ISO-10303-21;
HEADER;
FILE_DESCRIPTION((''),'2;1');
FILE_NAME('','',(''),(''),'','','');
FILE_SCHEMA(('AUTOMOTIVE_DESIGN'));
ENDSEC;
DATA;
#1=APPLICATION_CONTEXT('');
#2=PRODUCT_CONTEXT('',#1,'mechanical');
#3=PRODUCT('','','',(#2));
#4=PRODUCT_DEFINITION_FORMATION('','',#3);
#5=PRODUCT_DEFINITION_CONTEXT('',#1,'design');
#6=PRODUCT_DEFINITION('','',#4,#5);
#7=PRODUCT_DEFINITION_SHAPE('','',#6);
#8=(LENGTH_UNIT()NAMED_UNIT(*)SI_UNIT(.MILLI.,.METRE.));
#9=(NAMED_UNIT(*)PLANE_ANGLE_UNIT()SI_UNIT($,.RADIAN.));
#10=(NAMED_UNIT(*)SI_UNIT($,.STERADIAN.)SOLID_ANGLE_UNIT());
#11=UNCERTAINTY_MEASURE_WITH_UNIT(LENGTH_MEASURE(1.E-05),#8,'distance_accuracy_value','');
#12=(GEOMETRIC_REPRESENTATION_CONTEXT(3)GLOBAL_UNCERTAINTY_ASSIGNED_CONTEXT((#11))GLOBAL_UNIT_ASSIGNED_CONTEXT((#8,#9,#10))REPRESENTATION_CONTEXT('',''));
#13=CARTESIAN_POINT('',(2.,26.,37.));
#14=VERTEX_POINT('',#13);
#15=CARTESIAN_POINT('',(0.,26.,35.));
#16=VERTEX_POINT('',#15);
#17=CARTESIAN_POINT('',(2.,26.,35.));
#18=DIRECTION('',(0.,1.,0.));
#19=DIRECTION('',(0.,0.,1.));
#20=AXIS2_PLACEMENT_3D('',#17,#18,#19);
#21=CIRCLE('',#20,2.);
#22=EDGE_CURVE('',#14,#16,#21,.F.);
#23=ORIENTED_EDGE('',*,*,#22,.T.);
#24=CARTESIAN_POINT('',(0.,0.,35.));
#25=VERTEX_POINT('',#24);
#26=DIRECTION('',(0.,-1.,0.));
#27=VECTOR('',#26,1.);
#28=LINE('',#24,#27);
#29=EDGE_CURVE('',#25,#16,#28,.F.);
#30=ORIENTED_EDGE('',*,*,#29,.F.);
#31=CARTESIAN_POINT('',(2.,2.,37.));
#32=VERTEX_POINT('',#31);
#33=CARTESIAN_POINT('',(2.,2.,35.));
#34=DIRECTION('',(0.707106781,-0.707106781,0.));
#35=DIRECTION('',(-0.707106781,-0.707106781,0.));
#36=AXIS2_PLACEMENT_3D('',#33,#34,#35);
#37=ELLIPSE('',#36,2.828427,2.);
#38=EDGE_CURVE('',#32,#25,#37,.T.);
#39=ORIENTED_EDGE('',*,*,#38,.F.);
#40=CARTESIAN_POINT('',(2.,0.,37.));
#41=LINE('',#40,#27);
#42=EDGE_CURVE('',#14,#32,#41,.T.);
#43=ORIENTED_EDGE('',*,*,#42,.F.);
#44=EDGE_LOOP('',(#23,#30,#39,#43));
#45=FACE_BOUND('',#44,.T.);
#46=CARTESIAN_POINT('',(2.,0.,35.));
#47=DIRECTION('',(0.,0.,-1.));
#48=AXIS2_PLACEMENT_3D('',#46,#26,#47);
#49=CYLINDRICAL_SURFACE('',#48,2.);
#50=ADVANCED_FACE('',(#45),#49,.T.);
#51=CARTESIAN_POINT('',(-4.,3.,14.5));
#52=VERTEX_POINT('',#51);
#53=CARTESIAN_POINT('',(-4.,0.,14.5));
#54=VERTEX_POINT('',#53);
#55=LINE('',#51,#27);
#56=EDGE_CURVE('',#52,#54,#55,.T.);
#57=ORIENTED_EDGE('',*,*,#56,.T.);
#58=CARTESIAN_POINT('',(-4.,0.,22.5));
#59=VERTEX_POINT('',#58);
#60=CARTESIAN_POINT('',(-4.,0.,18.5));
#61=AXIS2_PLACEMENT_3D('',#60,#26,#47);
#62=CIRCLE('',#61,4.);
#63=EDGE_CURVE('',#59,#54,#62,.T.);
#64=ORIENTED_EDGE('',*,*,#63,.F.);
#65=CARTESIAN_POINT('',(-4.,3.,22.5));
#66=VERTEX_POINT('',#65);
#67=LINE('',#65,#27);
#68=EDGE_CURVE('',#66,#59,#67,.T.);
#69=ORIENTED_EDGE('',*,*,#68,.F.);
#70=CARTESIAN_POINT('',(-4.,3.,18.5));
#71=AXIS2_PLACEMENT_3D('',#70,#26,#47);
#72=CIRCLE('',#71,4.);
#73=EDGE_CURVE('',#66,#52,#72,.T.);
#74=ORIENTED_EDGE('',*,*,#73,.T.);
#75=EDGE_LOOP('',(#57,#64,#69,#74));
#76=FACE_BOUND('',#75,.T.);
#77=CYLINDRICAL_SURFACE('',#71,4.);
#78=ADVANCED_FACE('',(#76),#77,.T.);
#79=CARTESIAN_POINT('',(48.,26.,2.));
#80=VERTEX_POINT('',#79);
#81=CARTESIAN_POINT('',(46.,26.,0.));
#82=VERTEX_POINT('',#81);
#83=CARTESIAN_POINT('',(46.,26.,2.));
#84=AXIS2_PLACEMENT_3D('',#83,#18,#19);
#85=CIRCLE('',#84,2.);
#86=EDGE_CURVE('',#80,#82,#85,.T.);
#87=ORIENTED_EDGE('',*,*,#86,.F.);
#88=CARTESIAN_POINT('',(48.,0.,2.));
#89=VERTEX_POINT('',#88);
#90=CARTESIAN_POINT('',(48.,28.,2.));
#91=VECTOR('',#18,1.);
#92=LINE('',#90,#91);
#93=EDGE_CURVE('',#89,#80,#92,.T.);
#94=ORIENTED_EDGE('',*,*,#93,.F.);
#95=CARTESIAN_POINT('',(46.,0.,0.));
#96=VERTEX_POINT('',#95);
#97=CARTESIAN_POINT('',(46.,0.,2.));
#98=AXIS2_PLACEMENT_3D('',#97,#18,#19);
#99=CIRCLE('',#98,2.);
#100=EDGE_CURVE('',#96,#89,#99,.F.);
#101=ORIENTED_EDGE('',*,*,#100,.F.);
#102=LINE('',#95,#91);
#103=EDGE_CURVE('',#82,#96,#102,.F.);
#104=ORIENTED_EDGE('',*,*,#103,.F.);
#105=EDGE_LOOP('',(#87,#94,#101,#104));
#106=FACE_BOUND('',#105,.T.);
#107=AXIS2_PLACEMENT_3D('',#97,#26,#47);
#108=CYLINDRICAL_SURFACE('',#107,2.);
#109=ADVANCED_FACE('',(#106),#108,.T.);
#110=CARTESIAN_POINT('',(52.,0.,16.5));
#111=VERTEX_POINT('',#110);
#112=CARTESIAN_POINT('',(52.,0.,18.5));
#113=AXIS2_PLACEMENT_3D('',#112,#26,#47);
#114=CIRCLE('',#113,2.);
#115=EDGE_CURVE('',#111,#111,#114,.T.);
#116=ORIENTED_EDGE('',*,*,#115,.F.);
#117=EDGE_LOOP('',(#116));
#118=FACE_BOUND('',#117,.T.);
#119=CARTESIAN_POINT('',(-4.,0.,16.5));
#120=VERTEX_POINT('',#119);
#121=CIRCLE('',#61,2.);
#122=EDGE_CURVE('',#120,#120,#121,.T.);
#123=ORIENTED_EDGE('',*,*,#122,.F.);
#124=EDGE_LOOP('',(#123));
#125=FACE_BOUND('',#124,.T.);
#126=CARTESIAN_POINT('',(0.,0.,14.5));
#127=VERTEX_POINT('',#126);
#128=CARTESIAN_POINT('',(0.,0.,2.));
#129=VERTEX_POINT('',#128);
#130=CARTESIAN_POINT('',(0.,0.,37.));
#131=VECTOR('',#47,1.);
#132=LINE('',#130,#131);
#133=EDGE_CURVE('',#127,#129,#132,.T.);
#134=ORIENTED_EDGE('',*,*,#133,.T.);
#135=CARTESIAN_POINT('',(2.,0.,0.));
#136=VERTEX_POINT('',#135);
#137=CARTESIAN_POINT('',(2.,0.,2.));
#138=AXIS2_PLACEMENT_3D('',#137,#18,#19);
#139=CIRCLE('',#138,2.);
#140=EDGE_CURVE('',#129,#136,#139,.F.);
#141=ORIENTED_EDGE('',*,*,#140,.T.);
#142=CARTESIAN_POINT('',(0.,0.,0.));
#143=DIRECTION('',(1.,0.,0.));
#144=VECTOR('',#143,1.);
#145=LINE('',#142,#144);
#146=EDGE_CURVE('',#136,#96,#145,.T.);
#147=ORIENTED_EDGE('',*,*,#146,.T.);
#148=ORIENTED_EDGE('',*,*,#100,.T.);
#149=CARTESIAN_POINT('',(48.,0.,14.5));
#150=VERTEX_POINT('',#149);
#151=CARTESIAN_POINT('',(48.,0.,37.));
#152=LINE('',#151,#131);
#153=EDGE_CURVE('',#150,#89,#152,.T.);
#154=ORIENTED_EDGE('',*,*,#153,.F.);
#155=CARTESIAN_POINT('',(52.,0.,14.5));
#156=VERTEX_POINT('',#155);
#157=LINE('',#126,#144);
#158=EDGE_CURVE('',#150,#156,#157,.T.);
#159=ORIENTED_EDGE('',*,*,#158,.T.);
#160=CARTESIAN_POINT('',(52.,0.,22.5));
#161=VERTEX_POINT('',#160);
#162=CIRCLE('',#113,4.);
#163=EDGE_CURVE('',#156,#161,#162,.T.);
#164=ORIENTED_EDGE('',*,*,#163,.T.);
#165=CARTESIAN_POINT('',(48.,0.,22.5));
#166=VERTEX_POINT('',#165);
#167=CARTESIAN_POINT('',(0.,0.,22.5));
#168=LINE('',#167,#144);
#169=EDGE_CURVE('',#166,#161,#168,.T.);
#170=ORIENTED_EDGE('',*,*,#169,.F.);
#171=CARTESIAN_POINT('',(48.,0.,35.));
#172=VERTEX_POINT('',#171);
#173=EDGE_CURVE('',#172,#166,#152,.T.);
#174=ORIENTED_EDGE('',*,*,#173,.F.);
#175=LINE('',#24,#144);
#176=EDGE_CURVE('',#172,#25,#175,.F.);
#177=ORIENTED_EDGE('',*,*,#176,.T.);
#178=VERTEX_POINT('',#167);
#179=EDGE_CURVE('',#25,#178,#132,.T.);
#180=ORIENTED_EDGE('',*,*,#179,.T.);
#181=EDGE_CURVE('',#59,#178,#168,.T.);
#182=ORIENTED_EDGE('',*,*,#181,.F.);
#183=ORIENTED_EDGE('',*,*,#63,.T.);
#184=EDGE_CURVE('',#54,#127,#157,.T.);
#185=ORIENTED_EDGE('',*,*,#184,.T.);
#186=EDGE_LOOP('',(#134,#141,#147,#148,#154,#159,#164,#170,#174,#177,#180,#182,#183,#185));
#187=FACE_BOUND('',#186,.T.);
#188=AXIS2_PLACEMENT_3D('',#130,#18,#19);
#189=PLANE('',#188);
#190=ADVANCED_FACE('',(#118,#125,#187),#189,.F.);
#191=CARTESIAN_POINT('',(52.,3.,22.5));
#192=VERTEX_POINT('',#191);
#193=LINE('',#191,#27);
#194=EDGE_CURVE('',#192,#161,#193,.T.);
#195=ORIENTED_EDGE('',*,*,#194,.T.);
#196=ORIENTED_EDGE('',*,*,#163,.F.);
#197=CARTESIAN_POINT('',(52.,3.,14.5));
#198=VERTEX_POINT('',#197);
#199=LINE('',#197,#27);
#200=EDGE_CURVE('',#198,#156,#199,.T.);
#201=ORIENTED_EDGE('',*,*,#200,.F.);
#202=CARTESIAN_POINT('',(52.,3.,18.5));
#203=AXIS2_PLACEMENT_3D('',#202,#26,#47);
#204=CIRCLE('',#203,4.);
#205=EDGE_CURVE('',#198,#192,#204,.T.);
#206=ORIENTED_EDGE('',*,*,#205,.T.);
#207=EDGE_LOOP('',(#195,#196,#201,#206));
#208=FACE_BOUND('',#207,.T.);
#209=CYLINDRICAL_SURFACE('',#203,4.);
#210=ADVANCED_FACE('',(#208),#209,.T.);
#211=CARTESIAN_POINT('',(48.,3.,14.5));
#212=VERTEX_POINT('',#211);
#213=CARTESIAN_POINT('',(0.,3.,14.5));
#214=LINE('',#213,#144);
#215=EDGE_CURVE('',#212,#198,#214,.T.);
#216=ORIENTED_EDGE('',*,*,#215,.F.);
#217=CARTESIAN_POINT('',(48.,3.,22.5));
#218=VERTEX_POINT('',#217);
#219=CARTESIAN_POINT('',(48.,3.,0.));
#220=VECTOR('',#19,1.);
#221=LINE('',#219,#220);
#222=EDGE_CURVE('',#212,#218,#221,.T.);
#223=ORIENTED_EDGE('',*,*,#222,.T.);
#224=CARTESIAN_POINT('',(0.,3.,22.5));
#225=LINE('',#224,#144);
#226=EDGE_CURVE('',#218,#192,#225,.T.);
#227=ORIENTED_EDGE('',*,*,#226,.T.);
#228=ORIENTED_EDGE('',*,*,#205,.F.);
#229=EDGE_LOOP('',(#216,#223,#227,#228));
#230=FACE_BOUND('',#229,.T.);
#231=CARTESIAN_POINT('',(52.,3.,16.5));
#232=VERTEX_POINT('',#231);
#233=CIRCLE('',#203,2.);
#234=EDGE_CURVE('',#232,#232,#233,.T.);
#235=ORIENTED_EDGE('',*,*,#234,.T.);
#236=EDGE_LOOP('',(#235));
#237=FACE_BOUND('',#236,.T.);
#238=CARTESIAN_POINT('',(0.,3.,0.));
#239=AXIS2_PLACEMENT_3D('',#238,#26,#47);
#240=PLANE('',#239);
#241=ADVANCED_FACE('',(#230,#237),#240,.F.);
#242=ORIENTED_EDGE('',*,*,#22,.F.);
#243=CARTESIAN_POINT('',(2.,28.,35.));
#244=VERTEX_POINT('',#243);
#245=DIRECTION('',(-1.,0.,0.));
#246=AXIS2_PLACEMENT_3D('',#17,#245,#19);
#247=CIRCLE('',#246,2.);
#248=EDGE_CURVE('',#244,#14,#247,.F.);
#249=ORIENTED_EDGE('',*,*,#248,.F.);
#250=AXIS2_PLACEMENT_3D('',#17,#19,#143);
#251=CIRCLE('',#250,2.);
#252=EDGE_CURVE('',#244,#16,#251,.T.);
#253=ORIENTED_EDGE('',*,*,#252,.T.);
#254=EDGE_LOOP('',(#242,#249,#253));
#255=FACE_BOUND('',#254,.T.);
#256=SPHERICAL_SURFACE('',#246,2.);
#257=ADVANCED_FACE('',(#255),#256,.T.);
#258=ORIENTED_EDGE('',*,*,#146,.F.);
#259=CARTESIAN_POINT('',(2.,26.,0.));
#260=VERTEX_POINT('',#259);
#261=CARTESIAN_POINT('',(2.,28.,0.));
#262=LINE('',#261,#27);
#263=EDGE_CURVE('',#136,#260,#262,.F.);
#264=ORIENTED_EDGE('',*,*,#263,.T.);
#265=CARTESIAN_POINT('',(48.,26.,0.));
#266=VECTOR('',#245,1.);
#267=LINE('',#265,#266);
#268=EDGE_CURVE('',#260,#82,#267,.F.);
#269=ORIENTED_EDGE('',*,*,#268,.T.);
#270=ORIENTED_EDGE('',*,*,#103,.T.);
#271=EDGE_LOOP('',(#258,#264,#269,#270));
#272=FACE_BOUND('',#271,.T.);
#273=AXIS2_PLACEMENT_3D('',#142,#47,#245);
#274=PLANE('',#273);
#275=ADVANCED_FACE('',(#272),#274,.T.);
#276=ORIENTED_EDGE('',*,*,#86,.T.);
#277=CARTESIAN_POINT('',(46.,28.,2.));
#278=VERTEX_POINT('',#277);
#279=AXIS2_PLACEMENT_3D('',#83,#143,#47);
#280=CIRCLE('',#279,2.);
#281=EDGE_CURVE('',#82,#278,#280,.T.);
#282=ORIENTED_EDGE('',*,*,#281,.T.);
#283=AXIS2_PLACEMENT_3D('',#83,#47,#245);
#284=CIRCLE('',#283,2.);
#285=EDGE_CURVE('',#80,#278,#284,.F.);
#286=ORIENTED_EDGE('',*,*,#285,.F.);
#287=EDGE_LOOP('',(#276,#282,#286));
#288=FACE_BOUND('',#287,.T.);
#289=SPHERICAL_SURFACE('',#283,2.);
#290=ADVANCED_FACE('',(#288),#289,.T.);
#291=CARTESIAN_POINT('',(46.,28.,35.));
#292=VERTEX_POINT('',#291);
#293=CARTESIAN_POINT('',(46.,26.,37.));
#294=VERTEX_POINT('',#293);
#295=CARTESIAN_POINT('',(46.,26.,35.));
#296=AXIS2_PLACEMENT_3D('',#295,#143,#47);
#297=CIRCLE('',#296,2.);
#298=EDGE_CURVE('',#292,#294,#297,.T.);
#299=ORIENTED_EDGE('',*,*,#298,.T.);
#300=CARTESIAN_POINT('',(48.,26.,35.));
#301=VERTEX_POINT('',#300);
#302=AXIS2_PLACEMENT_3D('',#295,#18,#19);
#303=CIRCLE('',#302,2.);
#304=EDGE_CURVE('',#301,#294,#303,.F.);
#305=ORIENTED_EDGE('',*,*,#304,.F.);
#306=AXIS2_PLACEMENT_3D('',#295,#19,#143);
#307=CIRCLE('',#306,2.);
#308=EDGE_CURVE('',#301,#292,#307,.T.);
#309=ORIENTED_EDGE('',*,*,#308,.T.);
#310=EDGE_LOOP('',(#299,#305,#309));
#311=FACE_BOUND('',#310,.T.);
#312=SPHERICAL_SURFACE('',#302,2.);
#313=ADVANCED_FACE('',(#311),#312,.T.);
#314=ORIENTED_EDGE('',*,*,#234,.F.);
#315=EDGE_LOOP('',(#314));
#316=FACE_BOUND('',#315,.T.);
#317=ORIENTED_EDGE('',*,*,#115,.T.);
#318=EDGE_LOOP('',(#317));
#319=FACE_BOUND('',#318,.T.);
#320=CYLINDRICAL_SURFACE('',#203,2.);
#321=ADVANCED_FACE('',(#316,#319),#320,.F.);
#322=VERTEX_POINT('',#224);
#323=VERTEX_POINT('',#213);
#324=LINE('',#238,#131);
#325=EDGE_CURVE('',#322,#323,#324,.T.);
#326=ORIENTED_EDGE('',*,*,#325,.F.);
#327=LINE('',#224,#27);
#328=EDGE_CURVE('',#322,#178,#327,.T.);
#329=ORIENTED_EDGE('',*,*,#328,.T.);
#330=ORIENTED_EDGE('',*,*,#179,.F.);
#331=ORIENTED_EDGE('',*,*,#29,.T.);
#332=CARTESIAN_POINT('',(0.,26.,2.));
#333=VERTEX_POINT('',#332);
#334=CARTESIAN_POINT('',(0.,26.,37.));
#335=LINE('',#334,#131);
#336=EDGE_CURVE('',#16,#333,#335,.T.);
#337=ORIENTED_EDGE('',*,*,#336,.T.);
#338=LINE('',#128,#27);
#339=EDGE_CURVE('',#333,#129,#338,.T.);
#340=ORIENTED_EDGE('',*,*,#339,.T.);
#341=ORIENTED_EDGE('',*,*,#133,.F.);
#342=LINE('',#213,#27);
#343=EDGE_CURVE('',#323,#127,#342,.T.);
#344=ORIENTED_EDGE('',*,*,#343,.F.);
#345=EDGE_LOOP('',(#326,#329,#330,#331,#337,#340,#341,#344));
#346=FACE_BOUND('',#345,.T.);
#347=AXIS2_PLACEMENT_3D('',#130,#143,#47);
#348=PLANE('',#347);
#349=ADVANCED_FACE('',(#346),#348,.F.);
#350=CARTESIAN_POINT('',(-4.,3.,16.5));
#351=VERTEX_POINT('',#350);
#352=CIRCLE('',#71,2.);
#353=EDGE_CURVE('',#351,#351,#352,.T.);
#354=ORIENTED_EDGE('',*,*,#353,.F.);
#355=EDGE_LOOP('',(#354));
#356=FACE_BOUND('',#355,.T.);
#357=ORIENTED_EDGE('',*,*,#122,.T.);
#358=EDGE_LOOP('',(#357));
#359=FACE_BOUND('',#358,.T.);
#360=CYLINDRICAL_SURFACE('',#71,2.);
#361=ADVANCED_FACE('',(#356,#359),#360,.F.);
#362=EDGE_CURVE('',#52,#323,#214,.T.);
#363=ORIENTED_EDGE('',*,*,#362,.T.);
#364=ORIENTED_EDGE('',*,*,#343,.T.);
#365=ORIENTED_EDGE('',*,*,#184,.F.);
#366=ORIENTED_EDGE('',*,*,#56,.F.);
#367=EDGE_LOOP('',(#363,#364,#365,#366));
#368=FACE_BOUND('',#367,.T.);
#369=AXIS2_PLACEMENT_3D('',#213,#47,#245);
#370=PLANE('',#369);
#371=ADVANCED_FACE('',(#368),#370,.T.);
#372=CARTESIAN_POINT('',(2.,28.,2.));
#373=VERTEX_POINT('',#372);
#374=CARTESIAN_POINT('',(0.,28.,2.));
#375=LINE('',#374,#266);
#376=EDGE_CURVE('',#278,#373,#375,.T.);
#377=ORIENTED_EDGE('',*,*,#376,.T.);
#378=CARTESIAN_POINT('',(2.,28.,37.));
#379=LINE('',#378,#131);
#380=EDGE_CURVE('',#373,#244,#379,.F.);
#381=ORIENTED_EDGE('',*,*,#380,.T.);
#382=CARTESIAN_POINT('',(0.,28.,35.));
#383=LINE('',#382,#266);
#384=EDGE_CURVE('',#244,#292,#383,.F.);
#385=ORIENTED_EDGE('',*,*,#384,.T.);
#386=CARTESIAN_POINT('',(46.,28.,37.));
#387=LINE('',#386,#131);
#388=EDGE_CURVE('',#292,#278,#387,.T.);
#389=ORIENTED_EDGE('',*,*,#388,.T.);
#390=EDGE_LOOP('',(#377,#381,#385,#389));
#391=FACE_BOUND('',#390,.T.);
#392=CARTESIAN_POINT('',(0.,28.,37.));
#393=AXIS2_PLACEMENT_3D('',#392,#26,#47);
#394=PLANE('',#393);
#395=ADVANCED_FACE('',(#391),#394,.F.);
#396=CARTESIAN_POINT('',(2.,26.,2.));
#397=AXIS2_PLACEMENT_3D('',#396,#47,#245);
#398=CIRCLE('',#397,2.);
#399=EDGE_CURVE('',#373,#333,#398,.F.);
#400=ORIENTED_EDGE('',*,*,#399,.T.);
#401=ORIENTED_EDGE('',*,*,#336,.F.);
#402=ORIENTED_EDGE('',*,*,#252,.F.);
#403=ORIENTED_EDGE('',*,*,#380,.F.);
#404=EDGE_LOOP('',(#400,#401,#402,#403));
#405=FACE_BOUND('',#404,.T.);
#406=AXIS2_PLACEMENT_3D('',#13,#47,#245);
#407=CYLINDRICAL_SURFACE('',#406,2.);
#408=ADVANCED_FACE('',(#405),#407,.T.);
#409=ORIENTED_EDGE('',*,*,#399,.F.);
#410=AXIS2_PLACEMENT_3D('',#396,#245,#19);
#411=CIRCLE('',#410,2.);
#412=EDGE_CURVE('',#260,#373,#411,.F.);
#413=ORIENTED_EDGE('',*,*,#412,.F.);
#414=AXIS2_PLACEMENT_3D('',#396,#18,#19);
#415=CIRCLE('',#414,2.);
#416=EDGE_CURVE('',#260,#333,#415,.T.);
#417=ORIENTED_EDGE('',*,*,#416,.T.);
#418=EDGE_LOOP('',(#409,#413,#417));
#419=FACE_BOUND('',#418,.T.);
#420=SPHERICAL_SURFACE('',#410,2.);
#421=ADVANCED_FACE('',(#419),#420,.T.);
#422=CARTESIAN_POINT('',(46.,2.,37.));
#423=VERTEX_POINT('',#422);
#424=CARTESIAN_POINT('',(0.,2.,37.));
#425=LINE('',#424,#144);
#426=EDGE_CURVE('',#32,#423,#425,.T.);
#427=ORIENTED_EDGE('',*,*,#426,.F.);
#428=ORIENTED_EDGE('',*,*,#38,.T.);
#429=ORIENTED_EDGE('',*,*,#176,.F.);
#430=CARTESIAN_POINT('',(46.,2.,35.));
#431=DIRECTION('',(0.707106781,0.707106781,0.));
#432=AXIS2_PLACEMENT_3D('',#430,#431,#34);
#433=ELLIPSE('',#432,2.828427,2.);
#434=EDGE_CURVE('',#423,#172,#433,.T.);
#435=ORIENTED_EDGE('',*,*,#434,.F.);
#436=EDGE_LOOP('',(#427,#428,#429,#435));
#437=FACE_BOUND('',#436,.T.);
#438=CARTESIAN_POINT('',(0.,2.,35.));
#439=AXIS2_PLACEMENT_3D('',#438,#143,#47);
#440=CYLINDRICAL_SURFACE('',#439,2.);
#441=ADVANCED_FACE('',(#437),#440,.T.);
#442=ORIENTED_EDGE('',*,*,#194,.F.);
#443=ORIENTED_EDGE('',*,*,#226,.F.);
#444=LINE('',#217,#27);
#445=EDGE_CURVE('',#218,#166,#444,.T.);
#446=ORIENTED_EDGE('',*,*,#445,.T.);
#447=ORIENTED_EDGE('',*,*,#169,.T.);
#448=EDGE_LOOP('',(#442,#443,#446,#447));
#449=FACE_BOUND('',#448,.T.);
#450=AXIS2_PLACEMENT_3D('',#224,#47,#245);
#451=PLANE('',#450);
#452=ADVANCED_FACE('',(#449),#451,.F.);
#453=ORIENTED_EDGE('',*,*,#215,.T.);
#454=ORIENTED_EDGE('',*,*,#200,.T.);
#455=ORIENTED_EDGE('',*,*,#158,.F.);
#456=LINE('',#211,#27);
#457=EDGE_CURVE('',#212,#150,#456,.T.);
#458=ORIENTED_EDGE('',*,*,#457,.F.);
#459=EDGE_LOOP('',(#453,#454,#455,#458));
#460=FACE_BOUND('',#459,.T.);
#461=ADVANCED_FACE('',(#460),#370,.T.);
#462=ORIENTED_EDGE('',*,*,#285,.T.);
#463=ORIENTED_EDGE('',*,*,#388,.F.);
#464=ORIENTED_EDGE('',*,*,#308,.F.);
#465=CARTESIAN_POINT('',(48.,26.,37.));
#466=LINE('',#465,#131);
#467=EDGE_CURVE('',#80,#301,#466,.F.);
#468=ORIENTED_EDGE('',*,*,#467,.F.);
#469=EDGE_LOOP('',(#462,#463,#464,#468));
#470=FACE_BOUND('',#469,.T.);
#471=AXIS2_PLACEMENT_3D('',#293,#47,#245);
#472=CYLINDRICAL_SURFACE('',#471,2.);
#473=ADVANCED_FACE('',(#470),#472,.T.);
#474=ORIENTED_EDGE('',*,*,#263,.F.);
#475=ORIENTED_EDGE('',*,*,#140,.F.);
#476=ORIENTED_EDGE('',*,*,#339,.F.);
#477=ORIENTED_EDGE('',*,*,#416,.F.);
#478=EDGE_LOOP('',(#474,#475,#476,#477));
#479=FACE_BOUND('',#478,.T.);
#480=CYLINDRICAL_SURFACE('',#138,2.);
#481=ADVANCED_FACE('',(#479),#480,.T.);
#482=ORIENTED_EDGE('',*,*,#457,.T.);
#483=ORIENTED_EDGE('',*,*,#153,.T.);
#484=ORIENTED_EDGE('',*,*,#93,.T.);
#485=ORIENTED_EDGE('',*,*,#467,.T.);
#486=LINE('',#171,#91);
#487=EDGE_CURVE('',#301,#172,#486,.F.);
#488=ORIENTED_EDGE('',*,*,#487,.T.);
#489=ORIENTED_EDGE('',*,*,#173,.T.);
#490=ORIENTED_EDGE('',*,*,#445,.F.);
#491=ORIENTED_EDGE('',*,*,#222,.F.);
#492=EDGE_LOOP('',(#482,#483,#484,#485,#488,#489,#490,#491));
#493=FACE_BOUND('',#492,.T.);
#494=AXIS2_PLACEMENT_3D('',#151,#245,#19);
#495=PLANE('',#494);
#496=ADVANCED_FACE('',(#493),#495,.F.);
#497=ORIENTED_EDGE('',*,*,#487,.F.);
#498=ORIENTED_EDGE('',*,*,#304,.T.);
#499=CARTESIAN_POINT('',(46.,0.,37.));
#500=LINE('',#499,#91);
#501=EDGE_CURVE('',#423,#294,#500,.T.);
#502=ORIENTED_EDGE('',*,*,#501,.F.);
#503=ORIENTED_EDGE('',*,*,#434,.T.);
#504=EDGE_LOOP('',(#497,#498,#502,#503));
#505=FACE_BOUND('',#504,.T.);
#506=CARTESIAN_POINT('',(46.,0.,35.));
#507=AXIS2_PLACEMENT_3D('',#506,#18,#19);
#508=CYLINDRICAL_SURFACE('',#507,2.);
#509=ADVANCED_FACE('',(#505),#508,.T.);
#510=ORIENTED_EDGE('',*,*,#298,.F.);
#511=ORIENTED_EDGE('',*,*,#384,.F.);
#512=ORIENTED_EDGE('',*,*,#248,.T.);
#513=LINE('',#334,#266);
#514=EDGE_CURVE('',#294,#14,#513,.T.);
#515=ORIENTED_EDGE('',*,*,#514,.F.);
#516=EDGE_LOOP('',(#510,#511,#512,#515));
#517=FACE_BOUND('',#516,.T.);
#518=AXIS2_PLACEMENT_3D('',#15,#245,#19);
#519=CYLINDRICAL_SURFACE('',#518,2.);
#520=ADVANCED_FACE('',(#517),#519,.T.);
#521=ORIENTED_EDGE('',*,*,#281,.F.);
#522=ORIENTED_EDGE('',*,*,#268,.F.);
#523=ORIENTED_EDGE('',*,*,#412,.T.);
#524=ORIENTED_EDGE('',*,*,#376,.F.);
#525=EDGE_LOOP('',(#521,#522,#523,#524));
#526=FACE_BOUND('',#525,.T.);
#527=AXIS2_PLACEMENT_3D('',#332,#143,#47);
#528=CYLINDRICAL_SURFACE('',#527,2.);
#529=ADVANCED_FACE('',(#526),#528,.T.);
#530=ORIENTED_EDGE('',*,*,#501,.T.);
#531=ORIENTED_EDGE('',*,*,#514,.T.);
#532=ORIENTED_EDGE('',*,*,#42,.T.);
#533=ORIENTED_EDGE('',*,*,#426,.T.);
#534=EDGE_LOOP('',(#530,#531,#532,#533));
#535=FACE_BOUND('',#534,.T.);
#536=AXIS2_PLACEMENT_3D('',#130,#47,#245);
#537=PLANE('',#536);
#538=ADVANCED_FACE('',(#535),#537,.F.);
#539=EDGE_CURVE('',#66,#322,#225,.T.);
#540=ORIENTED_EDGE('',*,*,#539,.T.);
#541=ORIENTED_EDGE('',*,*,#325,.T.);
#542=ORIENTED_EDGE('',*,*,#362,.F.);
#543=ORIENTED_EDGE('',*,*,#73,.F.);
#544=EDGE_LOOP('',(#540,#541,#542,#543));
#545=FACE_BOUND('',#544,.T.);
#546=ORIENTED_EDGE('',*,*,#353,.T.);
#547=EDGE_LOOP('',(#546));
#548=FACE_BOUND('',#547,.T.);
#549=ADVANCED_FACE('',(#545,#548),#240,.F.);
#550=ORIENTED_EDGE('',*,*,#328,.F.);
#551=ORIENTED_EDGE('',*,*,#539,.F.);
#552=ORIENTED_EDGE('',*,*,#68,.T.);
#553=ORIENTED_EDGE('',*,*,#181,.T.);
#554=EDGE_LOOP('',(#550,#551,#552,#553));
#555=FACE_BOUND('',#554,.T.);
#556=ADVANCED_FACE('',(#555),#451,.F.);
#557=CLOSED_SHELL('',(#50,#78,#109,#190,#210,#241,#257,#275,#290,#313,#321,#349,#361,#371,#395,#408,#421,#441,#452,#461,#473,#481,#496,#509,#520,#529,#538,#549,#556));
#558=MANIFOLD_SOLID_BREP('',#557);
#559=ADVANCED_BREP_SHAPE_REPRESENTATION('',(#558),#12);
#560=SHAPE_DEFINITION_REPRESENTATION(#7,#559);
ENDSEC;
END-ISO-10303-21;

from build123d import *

# Parameters (mm, degrees)
SKETCH_1_W      = 48
SKETCH_1_H      = 28
EXTRUDE_1_DEPTH = 37
FILLET_1_R      = 2
SKETCH_2_R      = 2
EXTRUDE_2_DEPTH = 3


with BuildPart() as part:
    # 草图1 → 凸台-拉伸1 (new body)
    with BuildSketch(Plane.XY):
        with Locations((24, 14)):
            Rectangle(SKETCH_1_W, SKETCH_1_H)
    extrude(amount=EXTRUDE_1_DEPTH)

    # 圆角1
    fillet_1_edges = [part.edges().sort_by_distance(p)[0] for p in [
        (48, 14, 37),
        (24, 28, 37),
        (0, 14, 37),
        (24, 28, 0),
        (48, 14, 0),
        (0, 14, 0),
        (0, 28, 18.5),
        (48, 28, 18.5),
        (24, 0, 37),
    ]]
    fillet(fillet_1_edges, radius=FILLET_1_R)

    # 草图2 → 凸台-拉伸2 (add)
    with BuildSketch(Plane.XZ):
        with BuildLine():
            Line((-4, 22.5), (52, 22.5))
            ThreePointArc((52, 22.5), (56, 18.5), (52, 14.5))
            Line((52, 14.5), (-4, 14.5))
            ThreePointArc((-4, 14.5), (-8, 18.5), (-4, 22.5))
        make_face()
        with Locations((-4, 18.5)):
            Circle(SKETCH_2_R, mode=Mode.SUBTRACT)
        with Locations((52, 18.5)):
            Circle(SKETCH_2_R, mode=Mode.SUBTRACT)
    extrude(amount=-EXTRUDE_2_DEPTH)


solid = part.part
